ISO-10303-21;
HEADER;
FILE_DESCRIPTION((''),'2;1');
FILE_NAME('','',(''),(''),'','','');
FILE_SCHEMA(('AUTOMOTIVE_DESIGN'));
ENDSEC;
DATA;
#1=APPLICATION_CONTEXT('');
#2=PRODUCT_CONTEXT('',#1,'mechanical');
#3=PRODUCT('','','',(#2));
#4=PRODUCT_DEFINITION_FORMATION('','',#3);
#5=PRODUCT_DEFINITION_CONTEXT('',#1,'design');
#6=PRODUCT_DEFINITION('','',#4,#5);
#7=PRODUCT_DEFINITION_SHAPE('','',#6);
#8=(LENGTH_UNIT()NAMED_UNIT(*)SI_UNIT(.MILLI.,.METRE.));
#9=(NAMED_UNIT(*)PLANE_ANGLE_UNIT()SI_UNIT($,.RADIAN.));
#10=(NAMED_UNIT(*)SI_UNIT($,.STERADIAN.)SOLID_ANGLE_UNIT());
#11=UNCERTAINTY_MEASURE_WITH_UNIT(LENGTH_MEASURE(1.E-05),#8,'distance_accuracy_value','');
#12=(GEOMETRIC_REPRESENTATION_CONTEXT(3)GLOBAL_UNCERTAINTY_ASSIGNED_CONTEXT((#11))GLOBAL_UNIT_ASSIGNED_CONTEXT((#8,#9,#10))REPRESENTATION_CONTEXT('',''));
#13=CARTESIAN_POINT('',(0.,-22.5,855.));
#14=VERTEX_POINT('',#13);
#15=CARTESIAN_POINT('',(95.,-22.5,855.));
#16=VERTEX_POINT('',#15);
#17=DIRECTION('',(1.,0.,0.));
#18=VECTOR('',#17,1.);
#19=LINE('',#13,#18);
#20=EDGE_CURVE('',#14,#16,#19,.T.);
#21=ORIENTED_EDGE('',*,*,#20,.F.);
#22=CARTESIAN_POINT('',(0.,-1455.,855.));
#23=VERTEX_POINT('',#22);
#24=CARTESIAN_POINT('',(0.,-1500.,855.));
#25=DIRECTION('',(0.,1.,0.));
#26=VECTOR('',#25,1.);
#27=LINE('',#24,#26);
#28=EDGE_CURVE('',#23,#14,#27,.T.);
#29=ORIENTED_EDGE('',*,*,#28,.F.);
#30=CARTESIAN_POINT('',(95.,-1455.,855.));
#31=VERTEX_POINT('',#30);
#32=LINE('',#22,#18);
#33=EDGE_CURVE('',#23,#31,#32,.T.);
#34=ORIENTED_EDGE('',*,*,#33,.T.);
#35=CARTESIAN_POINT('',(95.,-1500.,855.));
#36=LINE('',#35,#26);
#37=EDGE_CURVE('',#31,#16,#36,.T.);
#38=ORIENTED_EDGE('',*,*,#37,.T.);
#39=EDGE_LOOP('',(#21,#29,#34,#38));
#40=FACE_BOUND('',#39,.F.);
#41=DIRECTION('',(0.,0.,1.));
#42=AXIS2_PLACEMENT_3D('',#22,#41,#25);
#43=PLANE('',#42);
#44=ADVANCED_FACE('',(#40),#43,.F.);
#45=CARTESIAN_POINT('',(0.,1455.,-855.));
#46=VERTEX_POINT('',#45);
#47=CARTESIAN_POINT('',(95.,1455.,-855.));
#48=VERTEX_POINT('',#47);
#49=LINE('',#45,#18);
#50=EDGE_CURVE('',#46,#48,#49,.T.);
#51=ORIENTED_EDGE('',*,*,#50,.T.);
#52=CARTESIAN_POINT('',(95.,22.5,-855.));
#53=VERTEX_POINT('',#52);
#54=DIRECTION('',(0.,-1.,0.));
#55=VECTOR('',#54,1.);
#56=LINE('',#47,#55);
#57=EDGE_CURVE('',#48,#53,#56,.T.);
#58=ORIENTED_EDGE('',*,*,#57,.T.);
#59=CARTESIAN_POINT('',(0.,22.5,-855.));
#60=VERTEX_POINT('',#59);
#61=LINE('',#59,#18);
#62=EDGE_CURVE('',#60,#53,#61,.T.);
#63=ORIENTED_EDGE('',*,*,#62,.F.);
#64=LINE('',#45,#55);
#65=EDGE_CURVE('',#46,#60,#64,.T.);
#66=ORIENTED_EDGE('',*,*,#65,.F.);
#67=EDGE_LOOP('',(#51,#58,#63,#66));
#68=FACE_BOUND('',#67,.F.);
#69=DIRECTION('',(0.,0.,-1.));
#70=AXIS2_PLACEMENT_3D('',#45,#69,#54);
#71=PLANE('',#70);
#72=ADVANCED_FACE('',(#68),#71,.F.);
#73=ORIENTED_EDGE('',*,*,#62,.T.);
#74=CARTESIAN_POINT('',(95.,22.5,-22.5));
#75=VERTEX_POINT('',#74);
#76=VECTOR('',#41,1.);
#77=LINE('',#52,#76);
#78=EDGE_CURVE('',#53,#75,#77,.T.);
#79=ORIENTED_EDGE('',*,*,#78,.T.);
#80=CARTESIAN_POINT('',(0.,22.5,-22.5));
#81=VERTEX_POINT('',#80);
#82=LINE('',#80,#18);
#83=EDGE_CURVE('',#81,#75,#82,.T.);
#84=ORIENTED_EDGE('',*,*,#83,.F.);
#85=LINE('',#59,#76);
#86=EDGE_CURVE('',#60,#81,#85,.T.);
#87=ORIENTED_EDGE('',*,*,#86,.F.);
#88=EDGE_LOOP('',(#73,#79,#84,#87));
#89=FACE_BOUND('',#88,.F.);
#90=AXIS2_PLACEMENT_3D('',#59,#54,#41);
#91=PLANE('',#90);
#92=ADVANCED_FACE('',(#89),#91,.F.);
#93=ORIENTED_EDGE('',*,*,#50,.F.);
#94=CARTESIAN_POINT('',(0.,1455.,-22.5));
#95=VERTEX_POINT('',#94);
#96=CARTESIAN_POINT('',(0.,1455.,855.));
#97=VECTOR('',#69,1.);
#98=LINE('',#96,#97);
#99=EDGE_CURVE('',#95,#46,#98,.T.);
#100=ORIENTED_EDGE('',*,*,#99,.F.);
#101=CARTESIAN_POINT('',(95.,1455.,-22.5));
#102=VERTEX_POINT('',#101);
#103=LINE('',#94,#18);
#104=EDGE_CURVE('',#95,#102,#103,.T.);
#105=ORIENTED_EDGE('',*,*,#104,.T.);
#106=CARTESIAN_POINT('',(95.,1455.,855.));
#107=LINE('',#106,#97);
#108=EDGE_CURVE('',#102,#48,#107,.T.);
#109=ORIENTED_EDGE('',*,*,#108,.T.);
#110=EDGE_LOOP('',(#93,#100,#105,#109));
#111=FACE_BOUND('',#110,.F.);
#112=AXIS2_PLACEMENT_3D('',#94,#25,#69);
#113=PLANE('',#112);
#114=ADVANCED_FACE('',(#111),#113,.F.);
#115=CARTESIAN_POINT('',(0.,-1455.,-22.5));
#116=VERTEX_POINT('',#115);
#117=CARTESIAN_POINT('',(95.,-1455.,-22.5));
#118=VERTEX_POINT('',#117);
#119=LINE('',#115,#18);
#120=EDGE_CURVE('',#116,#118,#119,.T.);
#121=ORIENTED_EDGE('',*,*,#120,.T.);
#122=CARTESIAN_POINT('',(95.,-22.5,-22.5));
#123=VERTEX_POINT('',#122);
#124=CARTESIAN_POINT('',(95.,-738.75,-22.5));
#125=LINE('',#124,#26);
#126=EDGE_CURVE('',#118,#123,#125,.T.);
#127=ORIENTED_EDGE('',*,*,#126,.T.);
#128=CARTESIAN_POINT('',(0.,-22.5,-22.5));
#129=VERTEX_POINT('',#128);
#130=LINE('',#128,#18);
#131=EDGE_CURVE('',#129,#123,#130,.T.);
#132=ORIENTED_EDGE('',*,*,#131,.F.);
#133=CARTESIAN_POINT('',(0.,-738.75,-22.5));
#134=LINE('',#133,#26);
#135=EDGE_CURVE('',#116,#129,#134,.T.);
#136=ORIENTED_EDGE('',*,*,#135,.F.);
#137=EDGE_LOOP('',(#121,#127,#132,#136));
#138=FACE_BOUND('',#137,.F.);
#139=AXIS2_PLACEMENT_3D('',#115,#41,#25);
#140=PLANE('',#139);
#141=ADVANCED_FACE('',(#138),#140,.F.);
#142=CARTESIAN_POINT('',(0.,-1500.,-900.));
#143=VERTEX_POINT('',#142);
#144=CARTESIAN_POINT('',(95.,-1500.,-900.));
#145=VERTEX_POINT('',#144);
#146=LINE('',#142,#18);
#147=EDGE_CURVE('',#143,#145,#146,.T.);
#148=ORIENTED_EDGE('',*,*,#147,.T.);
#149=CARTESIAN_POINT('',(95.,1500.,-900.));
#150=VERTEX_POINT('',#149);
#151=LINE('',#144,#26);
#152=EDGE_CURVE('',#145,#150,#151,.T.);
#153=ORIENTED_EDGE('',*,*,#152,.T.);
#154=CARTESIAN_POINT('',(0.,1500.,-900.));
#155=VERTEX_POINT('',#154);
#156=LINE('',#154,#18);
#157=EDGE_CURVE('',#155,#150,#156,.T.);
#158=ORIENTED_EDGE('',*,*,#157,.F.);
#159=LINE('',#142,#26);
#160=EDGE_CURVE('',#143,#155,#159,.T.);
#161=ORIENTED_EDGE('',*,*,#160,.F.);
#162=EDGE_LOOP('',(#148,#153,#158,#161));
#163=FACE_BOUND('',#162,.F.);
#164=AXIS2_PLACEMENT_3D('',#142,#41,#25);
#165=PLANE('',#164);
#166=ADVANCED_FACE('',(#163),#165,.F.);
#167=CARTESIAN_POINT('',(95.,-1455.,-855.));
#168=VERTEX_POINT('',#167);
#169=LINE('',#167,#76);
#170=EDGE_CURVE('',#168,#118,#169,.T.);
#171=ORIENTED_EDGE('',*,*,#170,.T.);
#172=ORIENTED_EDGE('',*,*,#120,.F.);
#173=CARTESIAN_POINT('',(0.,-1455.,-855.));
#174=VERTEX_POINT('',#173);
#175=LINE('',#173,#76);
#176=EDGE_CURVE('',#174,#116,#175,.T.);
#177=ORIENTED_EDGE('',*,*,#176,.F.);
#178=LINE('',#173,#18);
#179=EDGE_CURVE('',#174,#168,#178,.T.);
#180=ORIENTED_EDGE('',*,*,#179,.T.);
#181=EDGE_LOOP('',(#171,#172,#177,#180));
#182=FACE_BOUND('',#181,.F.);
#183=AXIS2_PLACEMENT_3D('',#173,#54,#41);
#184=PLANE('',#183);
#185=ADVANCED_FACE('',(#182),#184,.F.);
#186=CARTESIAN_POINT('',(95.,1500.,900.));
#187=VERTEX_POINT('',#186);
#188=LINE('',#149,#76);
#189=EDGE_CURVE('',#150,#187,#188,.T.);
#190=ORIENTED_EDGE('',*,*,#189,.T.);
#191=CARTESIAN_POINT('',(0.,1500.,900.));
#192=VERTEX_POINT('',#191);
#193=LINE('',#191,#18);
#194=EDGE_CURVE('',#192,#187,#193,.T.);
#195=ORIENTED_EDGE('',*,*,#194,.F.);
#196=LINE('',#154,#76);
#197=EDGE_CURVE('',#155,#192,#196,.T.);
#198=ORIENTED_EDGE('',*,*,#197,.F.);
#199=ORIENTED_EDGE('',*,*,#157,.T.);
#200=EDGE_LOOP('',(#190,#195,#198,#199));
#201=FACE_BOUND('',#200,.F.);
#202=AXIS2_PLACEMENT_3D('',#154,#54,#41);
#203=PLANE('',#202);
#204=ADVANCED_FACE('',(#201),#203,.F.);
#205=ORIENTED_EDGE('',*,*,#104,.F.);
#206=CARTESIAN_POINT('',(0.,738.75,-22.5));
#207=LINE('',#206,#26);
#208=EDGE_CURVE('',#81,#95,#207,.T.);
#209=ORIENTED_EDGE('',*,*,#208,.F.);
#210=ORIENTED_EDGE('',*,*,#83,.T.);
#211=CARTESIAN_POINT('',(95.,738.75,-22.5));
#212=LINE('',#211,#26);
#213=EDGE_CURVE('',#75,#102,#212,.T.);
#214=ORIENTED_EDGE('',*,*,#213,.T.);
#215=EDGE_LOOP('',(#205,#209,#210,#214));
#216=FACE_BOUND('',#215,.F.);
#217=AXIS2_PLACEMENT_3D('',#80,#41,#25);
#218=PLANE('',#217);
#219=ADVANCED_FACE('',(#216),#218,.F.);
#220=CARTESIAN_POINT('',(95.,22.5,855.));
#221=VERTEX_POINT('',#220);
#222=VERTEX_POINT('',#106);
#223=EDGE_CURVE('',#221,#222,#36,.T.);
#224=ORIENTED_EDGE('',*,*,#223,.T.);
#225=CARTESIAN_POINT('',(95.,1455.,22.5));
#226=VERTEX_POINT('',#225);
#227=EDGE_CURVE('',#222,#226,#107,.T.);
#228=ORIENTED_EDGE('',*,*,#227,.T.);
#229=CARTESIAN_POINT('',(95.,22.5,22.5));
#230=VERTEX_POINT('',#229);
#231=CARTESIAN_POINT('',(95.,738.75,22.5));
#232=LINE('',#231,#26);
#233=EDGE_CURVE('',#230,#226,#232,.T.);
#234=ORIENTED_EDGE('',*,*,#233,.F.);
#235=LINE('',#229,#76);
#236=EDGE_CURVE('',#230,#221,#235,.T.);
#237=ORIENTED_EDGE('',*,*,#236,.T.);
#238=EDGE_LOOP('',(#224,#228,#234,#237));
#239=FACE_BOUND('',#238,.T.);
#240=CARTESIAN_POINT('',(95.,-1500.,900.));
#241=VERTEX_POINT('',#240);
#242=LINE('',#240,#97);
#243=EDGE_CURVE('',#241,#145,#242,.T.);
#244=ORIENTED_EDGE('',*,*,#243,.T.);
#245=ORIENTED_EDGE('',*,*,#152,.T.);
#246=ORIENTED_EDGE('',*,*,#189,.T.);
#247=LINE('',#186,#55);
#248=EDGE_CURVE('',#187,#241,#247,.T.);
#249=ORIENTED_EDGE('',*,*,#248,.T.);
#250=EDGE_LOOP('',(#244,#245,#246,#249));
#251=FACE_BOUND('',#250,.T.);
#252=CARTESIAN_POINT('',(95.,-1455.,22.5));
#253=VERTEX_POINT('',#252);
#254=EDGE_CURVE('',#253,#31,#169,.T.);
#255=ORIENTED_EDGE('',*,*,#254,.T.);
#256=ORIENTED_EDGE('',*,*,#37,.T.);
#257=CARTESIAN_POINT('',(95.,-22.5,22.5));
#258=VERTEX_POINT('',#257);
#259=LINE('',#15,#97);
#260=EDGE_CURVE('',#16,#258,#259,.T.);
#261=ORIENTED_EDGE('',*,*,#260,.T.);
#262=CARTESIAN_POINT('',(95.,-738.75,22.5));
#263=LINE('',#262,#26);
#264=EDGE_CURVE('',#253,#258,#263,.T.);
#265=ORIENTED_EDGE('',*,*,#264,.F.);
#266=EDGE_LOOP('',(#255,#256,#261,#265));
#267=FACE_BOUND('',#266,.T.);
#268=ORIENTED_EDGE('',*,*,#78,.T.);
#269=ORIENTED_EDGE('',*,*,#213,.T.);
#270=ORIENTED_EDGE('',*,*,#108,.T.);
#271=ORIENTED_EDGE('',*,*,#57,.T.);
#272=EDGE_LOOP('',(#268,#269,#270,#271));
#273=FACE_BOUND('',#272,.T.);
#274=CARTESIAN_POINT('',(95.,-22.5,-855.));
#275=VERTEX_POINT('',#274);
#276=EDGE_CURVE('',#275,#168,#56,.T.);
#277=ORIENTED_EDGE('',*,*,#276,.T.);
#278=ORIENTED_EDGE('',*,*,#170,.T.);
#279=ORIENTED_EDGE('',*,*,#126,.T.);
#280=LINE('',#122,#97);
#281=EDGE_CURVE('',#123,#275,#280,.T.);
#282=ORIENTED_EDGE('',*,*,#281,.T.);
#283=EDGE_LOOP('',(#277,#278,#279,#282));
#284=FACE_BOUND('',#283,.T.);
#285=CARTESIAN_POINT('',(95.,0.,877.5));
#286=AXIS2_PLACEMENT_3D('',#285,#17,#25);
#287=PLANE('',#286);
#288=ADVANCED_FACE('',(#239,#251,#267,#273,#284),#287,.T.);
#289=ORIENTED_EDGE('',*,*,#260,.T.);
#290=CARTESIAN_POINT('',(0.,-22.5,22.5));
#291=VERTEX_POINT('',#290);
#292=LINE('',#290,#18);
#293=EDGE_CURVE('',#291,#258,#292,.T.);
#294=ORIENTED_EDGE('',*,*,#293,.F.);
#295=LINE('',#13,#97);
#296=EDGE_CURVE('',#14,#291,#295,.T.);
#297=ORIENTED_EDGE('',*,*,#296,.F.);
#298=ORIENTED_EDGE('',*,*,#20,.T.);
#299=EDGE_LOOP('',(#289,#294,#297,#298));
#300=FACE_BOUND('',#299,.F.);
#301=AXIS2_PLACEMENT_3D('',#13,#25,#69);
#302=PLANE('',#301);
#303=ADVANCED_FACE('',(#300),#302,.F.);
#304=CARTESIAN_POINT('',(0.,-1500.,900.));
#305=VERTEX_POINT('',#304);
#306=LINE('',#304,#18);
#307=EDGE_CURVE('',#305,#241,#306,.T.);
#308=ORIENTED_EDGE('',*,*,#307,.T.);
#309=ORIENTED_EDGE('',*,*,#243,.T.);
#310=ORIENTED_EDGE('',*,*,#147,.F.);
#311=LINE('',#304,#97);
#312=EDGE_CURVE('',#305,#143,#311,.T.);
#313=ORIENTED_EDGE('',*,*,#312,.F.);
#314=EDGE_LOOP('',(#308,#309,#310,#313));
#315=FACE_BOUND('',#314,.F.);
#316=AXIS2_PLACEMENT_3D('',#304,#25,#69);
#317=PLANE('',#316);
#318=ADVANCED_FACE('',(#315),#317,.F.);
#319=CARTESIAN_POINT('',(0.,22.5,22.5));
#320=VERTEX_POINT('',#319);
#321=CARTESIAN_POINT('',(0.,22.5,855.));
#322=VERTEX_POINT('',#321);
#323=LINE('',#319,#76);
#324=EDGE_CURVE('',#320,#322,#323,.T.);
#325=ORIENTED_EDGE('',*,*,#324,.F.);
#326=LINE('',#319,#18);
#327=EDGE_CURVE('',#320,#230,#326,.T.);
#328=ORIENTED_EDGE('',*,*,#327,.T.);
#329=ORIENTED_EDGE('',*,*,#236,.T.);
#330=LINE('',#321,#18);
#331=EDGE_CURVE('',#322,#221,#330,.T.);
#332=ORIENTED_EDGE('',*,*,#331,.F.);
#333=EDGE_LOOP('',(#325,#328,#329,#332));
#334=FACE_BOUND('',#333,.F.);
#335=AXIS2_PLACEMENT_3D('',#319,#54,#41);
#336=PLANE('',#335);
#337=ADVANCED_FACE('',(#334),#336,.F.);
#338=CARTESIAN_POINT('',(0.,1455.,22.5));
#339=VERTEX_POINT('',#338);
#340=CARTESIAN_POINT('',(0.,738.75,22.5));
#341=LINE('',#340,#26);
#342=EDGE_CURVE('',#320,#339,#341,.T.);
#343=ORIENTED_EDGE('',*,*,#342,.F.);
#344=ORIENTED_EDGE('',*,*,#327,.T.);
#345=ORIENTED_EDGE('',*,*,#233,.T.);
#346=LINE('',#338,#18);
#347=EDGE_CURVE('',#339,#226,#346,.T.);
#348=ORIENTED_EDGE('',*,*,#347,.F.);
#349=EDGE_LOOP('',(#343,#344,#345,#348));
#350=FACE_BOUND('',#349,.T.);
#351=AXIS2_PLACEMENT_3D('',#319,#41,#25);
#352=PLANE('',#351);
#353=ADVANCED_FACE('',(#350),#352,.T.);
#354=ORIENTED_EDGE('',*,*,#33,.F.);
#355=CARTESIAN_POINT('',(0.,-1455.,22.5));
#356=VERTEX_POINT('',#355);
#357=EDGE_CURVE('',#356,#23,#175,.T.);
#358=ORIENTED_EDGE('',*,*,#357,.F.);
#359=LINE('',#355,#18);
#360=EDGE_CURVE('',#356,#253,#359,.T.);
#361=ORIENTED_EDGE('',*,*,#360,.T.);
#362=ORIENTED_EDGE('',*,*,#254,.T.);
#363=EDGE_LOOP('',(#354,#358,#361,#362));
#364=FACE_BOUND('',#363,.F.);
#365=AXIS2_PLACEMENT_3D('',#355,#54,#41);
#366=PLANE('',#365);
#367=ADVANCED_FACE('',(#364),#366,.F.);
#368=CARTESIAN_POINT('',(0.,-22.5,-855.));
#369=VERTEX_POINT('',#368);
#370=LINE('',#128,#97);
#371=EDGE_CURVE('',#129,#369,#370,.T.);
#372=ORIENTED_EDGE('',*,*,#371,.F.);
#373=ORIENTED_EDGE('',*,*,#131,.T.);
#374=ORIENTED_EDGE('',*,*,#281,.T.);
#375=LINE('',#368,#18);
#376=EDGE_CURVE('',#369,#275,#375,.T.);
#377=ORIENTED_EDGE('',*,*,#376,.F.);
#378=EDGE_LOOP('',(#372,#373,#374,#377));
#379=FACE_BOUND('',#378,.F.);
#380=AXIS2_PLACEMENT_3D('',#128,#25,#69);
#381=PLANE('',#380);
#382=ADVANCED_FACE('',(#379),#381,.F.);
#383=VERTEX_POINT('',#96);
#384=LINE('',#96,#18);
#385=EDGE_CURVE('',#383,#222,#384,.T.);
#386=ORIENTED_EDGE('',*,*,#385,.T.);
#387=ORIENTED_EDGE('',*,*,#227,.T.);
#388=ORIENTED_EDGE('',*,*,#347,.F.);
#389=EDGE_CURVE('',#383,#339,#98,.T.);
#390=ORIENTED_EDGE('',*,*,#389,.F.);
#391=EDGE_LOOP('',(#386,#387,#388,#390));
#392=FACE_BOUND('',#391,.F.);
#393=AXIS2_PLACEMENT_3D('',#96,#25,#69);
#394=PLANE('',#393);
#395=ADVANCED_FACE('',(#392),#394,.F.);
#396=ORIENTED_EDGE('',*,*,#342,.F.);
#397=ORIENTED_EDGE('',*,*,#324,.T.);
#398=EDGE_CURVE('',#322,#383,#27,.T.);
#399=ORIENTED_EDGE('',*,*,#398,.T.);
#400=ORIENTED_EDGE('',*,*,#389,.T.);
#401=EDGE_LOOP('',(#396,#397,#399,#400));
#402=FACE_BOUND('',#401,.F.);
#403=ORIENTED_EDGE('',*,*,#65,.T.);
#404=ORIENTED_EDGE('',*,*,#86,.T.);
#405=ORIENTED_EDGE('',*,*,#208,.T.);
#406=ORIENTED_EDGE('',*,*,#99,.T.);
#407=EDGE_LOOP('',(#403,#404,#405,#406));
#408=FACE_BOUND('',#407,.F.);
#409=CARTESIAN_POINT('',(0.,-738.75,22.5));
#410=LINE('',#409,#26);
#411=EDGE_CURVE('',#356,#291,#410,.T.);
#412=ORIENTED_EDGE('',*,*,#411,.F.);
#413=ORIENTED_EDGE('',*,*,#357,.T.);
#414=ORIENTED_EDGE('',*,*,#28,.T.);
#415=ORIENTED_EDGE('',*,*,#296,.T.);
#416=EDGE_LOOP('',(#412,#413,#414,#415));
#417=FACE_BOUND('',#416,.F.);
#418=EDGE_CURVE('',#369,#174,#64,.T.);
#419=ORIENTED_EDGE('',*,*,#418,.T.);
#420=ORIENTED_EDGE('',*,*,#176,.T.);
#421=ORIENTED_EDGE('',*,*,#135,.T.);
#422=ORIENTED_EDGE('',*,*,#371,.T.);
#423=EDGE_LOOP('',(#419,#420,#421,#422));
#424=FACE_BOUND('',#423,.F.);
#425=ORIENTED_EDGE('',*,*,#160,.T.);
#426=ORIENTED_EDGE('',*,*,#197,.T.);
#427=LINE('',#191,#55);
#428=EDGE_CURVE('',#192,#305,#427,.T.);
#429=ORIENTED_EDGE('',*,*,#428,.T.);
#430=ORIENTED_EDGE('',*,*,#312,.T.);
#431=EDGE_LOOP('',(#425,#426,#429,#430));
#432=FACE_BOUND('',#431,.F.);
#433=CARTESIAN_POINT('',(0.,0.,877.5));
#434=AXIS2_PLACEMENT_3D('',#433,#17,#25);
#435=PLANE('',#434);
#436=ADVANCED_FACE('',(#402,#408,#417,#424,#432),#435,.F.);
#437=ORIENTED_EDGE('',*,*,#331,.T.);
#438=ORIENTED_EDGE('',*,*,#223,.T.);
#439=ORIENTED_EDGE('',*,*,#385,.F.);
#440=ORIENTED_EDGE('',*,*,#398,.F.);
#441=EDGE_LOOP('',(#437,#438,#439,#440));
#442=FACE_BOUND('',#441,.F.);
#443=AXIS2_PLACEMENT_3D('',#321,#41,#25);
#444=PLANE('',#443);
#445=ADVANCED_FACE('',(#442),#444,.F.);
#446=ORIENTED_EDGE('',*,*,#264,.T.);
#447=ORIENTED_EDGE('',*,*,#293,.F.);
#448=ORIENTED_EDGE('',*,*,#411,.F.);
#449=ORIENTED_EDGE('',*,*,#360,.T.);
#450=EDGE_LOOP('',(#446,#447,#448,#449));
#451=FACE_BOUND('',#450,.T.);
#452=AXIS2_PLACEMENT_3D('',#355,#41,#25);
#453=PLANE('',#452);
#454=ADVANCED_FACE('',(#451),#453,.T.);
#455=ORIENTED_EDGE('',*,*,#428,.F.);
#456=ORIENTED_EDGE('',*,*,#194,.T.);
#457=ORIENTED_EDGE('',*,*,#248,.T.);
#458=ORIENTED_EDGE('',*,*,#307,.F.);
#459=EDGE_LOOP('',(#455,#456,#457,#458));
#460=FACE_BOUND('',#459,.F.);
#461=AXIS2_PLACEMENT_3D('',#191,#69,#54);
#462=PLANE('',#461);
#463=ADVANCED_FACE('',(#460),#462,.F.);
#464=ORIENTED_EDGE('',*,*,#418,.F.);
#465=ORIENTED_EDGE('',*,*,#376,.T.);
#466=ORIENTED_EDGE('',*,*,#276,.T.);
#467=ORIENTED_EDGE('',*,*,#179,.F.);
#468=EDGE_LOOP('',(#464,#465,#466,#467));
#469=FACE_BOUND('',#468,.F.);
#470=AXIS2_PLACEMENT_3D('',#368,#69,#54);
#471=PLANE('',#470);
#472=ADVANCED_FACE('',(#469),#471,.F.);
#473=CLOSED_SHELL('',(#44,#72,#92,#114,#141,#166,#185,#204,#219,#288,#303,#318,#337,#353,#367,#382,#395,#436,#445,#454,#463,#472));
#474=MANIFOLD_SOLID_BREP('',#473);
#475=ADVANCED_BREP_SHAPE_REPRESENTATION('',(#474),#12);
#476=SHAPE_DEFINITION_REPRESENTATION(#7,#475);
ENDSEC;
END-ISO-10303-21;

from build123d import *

# Parameters (mm, degrees)
F0_W     = 1432.5
F0_H     = 45
F1_DEPTH = 95


with BuildPart() as f1:
    # F0 (on Right) → F1 (new body)
    with BuildSketch(Plane.YZ):
        Polygon((1500, 900), (-1500, 900), (-1500, 855), (-1455, 855), (-22.5, 855), (22.5, 855), (1455, 855), (1500, 855), align=None)
        Polygon((-1455, 855), (-1500, 855), (-1500, -855), (-1455, -855), (-1455, -22.5), (-1455, 22.5), align=None)
        Polygon((1500, -855), (1500, 855), (1455, 855), (1455, 22.5), (1455, -22.5), (1455, -855), align=None)
        Polygon((-1455, -855), (-1500, -855), (-1500, -900), (1500, -900), (1500, -855), (1455, -855), (22.5, -855), (-22.5, -855), align=None)
        with Locations((-738.75, 0)):
            Rectangle(F0_W, F0_H)
        with Locations((738.75, 0)):
            Rectangle(F0_W, F0_H)
        Polygon((22.5, 855), (-22.5, 855), (-22.5, 22.5), (-22.5, -22.5), (-22.5, -855), (22.5, -855), (22.5, -22.5), (22.5, 22.5), align=None)
    extrude(amount=F1_DEPTH)


solid = f1.part
